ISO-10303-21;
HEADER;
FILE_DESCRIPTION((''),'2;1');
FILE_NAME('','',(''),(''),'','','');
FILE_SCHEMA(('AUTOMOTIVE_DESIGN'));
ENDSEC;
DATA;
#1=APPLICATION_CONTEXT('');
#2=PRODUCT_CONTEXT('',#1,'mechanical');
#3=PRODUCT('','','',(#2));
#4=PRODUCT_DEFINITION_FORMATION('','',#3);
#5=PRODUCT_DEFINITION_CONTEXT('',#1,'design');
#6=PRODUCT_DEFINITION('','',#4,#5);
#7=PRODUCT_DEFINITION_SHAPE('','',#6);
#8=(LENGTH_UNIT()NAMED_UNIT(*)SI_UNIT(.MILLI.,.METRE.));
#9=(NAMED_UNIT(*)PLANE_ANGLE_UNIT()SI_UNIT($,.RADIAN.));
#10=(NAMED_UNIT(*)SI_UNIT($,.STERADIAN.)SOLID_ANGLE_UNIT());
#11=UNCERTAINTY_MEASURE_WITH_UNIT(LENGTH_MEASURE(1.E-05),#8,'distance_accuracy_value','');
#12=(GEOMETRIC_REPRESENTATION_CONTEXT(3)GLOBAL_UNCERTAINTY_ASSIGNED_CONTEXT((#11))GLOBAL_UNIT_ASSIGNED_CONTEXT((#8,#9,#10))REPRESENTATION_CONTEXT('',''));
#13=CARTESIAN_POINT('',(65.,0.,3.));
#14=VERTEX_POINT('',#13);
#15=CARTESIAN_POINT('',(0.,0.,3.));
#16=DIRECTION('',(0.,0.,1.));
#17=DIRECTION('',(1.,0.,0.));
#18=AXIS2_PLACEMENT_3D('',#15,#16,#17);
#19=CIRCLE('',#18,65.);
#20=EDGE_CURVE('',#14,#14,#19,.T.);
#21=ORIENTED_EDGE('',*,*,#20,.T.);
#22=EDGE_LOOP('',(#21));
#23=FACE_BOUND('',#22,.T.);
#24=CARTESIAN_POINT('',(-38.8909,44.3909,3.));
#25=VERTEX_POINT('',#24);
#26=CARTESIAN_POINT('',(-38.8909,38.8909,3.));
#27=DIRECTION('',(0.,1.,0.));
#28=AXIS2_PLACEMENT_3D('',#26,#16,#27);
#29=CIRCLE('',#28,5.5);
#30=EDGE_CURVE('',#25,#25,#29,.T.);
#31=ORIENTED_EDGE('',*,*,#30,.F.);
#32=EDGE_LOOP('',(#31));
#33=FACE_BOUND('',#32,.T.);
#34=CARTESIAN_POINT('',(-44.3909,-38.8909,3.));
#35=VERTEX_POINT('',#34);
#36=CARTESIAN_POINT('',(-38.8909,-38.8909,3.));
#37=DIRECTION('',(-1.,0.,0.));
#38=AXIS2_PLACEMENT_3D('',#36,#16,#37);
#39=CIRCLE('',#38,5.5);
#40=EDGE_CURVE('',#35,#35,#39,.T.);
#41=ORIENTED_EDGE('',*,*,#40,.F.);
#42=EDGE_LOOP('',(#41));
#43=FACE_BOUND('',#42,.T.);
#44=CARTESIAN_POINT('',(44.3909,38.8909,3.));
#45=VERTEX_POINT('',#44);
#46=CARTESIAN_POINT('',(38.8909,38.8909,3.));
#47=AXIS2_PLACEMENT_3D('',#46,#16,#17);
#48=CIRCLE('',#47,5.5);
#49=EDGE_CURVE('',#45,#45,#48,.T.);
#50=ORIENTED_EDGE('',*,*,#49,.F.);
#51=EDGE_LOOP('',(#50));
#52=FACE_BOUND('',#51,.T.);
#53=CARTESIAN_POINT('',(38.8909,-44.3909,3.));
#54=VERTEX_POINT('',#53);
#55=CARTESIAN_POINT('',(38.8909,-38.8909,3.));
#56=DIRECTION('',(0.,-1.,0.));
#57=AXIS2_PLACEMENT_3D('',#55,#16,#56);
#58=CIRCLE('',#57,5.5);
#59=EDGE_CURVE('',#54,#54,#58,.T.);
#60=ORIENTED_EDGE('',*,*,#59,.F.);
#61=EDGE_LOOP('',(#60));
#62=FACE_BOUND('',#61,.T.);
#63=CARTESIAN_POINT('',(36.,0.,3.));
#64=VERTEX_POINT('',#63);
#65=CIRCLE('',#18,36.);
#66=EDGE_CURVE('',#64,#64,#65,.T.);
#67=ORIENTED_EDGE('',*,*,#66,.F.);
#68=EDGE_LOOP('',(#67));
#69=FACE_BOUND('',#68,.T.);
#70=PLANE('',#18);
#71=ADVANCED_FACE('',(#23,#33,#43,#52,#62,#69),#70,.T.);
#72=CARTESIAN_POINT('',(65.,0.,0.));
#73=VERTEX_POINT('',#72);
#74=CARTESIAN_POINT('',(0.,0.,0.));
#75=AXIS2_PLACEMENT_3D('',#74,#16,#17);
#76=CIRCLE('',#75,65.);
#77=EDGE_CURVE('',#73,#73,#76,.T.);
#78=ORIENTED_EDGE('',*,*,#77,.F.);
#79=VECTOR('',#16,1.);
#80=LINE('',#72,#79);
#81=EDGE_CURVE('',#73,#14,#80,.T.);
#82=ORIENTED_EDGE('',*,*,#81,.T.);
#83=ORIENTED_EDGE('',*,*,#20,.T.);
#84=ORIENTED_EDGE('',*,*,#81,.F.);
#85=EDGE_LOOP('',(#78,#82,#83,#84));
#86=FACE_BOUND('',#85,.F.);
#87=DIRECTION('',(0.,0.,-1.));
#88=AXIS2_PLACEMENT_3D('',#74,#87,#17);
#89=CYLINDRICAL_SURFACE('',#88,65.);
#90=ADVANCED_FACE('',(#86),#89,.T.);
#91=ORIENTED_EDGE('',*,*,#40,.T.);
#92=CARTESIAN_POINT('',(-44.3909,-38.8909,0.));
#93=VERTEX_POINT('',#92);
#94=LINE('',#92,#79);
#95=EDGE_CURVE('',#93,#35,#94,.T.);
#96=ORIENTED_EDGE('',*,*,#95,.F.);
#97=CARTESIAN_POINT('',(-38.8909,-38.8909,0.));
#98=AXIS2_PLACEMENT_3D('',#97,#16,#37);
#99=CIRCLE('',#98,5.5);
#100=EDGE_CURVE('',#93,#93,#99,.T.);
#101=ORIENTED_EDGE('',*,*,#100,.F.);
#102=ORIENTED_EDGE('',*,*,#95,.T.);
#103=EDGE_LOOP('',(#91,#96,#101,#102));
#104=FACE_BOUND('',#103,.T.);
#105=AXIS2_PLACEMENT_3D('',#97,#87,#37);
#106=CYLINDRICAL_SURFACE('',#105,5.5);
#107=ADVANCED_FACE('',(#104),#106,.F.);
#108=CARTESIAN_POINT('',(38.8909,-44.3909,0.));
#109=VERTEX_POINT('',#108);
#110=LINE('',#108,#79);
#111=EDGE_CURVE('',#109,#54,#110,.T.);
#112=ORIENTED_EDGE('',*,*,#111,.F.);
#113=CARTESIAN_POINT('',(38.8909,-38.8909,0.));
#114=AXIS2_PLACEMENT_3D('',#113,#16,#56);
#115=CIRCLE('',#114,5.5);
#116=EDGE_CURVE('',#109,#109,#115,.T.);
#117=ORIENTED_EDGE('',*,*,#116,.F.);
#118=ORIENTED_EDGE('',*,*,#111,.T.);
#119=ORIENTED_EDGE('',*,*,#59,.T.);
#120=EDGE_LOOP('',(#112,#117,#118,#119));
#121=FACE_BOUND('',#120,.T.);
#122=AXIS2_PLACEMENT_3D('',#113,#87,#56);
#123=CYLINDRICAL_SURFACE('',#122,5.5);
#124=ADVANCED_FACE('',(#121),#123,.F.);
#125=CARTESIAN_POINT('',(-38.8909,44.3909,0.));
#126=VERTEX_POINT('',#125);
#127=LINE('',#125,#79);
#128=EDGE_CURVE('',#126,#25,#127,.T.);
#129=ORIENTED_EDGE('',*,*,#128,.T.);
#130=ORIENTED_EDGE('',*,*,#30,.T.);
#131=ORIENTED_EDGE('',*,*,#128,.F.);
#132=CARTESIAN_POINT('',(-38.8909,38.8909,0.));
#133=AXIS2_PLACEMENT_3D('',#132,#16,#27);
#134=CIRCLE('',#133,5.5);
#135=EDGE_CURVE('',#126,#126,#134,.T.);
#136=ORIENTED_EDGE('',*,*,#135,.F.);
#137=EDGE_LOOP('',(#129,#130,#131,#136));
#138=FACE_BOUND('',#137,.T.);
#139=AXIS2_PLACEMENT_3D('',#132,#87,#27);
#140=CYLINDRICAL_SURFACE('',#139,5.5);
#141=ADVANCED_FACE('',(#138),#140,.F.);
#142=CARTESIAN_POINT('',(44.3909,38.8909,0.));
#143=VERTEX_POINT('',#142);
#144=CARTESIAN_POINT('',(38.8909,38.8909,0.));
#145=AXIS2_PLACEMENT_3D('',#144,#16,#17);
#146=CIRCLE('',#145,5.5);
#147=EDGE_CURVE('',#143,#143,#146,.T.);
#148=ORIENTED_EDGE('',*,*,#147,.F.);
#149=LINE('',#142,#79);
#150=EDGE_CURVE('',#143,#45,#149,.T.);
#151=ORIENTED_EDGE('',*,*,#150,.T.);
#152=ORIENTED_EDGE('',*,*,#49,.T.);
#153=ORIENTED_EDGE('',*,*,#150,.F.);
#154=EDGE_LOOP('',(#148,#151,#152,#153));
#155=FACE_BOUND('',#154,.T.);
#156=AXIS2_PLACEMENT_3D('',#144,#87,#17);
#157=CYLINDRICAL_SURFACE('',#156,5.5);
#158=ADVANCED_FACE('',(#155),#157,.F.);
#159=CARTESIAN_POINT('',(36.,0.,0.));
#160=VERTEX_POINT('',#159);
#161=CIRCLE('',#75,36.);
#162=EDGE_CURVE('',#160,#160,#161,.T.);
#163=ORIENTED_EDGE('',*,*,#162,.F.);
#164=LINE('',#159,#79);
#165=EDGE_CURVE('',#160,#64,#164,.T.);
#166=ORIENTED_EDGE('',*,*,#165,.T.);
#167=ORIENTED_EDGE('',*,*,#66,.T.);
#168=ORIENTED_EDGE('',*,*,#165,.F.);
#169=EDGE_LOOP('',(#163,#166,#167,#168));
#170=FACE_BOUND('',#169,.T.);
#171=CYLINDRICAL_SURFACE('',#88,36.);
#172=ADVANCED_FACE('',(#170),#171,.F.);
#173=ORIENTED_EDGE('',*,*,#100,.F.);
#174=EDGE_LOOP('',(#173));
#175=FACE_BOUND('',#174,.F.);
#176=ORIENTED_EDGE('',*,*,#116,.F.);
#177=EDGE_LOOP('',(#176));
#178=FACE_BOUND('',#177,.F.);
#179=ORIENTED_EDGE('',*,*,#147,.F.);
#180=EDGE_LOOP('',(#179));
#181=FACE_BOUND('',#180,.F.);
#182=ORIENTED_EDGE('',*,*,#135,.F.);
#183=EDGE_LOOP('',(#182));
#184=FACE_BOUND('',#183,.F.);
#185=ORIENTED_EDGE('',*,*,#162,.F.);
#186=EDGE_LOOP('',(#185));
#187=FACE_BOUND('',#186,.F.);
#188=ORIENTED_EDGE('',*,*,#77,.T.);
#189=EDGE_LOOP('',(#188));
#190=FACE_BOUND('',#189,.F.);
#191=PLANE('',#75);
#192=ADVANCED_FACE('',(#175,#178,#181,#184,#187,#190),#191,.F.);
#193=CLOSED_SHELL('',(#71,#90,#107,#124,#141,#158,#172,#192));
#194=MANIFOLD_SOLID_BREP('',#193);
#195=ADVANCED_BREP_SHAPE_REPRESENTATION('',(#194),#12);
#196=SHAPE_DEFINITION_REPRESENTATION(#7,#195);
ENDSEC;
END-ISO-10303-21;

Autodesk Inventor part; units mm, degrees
ref_plane "YZ Plane" through (0, 0, 0) normal (1, 0, 0) x (0, 1, 0)
ref_plane "XZ Plane" through (0, 0, 0) normal (0, 1, 0) x (-1, 0, 0)
ref_plane "XY Plane" through (0, 0, 0) normal (0, 0, 1) x (1, 0, 0)
sketch "Sketch1" plane through (0, 0, 0) normal (0, 0, 1) x (1, 0, 0)
  circle A0 centre (0, 0) radius 36
  circle A1 centre (0, 0) radius 65
  line L0 (45.9619, -45.9619) -> (-45.9619, 45.9619) construction
  line L1 (-45.9619, -45.9619) -> (45.9619, 45.9619) construction
  point P0 (0, 36)
  dimension "d44" = 72
  dimension "d23" = 130
extrude "Plate1" add sketch "Sketch1" along normal blind 3
sketch "Sketch6" plane through (0, 0, 0) normal (0, 0, 1) x (1, 0, 0)
  line L0 (0, 0) -> (0, 55) construction
  circle A0 centre (0, 0) radius 55 construction
  line L1 (0, 0) -> (38.8909, 38.8909) construction
  circle A1 centre (38.8909, 38.8909) radius 5.5
  dimension "d42" = 72.5
  dimension "d32" = 11
  dimension "d33" = 110
  dimension "d34" = 45
extrude "Cut2" cut sketch "Sketch6" along normal blind 3
pattern_circular "Circular Pattern2" count 4 over 360 about axis through (0, 0, -10) along (0, 0, -1) of "Cut2"
equation "\"d35\" = Thickness"
equation "\"d2\" = Thickness"
equation "\"BendRadius\" = Thickness"
equation "\"BendReliefWidth\" = Thickness"
equation "\"BendReliefDepth\" = 0.5 * Thickness"
equation "\"CornerReliefSize\" = 4 * Thickness"
equation "\"MinimumRemnant\" = 2 * Thickness"
equation "\"TransitionRadius\" = BendRadius"
equation "\"JacobiRadiusSize\" = BendRadius"
equation "\"GapSize\" = Thickness"
equation "\"Octaeder_side\" = d41"
equation "\"Octaeder_flange_lenth\" = d42"
equation "\"Thickness\" = 3"
equation "\"d41\" = 55.918831"
properties part number "DSB 131 head flange"
